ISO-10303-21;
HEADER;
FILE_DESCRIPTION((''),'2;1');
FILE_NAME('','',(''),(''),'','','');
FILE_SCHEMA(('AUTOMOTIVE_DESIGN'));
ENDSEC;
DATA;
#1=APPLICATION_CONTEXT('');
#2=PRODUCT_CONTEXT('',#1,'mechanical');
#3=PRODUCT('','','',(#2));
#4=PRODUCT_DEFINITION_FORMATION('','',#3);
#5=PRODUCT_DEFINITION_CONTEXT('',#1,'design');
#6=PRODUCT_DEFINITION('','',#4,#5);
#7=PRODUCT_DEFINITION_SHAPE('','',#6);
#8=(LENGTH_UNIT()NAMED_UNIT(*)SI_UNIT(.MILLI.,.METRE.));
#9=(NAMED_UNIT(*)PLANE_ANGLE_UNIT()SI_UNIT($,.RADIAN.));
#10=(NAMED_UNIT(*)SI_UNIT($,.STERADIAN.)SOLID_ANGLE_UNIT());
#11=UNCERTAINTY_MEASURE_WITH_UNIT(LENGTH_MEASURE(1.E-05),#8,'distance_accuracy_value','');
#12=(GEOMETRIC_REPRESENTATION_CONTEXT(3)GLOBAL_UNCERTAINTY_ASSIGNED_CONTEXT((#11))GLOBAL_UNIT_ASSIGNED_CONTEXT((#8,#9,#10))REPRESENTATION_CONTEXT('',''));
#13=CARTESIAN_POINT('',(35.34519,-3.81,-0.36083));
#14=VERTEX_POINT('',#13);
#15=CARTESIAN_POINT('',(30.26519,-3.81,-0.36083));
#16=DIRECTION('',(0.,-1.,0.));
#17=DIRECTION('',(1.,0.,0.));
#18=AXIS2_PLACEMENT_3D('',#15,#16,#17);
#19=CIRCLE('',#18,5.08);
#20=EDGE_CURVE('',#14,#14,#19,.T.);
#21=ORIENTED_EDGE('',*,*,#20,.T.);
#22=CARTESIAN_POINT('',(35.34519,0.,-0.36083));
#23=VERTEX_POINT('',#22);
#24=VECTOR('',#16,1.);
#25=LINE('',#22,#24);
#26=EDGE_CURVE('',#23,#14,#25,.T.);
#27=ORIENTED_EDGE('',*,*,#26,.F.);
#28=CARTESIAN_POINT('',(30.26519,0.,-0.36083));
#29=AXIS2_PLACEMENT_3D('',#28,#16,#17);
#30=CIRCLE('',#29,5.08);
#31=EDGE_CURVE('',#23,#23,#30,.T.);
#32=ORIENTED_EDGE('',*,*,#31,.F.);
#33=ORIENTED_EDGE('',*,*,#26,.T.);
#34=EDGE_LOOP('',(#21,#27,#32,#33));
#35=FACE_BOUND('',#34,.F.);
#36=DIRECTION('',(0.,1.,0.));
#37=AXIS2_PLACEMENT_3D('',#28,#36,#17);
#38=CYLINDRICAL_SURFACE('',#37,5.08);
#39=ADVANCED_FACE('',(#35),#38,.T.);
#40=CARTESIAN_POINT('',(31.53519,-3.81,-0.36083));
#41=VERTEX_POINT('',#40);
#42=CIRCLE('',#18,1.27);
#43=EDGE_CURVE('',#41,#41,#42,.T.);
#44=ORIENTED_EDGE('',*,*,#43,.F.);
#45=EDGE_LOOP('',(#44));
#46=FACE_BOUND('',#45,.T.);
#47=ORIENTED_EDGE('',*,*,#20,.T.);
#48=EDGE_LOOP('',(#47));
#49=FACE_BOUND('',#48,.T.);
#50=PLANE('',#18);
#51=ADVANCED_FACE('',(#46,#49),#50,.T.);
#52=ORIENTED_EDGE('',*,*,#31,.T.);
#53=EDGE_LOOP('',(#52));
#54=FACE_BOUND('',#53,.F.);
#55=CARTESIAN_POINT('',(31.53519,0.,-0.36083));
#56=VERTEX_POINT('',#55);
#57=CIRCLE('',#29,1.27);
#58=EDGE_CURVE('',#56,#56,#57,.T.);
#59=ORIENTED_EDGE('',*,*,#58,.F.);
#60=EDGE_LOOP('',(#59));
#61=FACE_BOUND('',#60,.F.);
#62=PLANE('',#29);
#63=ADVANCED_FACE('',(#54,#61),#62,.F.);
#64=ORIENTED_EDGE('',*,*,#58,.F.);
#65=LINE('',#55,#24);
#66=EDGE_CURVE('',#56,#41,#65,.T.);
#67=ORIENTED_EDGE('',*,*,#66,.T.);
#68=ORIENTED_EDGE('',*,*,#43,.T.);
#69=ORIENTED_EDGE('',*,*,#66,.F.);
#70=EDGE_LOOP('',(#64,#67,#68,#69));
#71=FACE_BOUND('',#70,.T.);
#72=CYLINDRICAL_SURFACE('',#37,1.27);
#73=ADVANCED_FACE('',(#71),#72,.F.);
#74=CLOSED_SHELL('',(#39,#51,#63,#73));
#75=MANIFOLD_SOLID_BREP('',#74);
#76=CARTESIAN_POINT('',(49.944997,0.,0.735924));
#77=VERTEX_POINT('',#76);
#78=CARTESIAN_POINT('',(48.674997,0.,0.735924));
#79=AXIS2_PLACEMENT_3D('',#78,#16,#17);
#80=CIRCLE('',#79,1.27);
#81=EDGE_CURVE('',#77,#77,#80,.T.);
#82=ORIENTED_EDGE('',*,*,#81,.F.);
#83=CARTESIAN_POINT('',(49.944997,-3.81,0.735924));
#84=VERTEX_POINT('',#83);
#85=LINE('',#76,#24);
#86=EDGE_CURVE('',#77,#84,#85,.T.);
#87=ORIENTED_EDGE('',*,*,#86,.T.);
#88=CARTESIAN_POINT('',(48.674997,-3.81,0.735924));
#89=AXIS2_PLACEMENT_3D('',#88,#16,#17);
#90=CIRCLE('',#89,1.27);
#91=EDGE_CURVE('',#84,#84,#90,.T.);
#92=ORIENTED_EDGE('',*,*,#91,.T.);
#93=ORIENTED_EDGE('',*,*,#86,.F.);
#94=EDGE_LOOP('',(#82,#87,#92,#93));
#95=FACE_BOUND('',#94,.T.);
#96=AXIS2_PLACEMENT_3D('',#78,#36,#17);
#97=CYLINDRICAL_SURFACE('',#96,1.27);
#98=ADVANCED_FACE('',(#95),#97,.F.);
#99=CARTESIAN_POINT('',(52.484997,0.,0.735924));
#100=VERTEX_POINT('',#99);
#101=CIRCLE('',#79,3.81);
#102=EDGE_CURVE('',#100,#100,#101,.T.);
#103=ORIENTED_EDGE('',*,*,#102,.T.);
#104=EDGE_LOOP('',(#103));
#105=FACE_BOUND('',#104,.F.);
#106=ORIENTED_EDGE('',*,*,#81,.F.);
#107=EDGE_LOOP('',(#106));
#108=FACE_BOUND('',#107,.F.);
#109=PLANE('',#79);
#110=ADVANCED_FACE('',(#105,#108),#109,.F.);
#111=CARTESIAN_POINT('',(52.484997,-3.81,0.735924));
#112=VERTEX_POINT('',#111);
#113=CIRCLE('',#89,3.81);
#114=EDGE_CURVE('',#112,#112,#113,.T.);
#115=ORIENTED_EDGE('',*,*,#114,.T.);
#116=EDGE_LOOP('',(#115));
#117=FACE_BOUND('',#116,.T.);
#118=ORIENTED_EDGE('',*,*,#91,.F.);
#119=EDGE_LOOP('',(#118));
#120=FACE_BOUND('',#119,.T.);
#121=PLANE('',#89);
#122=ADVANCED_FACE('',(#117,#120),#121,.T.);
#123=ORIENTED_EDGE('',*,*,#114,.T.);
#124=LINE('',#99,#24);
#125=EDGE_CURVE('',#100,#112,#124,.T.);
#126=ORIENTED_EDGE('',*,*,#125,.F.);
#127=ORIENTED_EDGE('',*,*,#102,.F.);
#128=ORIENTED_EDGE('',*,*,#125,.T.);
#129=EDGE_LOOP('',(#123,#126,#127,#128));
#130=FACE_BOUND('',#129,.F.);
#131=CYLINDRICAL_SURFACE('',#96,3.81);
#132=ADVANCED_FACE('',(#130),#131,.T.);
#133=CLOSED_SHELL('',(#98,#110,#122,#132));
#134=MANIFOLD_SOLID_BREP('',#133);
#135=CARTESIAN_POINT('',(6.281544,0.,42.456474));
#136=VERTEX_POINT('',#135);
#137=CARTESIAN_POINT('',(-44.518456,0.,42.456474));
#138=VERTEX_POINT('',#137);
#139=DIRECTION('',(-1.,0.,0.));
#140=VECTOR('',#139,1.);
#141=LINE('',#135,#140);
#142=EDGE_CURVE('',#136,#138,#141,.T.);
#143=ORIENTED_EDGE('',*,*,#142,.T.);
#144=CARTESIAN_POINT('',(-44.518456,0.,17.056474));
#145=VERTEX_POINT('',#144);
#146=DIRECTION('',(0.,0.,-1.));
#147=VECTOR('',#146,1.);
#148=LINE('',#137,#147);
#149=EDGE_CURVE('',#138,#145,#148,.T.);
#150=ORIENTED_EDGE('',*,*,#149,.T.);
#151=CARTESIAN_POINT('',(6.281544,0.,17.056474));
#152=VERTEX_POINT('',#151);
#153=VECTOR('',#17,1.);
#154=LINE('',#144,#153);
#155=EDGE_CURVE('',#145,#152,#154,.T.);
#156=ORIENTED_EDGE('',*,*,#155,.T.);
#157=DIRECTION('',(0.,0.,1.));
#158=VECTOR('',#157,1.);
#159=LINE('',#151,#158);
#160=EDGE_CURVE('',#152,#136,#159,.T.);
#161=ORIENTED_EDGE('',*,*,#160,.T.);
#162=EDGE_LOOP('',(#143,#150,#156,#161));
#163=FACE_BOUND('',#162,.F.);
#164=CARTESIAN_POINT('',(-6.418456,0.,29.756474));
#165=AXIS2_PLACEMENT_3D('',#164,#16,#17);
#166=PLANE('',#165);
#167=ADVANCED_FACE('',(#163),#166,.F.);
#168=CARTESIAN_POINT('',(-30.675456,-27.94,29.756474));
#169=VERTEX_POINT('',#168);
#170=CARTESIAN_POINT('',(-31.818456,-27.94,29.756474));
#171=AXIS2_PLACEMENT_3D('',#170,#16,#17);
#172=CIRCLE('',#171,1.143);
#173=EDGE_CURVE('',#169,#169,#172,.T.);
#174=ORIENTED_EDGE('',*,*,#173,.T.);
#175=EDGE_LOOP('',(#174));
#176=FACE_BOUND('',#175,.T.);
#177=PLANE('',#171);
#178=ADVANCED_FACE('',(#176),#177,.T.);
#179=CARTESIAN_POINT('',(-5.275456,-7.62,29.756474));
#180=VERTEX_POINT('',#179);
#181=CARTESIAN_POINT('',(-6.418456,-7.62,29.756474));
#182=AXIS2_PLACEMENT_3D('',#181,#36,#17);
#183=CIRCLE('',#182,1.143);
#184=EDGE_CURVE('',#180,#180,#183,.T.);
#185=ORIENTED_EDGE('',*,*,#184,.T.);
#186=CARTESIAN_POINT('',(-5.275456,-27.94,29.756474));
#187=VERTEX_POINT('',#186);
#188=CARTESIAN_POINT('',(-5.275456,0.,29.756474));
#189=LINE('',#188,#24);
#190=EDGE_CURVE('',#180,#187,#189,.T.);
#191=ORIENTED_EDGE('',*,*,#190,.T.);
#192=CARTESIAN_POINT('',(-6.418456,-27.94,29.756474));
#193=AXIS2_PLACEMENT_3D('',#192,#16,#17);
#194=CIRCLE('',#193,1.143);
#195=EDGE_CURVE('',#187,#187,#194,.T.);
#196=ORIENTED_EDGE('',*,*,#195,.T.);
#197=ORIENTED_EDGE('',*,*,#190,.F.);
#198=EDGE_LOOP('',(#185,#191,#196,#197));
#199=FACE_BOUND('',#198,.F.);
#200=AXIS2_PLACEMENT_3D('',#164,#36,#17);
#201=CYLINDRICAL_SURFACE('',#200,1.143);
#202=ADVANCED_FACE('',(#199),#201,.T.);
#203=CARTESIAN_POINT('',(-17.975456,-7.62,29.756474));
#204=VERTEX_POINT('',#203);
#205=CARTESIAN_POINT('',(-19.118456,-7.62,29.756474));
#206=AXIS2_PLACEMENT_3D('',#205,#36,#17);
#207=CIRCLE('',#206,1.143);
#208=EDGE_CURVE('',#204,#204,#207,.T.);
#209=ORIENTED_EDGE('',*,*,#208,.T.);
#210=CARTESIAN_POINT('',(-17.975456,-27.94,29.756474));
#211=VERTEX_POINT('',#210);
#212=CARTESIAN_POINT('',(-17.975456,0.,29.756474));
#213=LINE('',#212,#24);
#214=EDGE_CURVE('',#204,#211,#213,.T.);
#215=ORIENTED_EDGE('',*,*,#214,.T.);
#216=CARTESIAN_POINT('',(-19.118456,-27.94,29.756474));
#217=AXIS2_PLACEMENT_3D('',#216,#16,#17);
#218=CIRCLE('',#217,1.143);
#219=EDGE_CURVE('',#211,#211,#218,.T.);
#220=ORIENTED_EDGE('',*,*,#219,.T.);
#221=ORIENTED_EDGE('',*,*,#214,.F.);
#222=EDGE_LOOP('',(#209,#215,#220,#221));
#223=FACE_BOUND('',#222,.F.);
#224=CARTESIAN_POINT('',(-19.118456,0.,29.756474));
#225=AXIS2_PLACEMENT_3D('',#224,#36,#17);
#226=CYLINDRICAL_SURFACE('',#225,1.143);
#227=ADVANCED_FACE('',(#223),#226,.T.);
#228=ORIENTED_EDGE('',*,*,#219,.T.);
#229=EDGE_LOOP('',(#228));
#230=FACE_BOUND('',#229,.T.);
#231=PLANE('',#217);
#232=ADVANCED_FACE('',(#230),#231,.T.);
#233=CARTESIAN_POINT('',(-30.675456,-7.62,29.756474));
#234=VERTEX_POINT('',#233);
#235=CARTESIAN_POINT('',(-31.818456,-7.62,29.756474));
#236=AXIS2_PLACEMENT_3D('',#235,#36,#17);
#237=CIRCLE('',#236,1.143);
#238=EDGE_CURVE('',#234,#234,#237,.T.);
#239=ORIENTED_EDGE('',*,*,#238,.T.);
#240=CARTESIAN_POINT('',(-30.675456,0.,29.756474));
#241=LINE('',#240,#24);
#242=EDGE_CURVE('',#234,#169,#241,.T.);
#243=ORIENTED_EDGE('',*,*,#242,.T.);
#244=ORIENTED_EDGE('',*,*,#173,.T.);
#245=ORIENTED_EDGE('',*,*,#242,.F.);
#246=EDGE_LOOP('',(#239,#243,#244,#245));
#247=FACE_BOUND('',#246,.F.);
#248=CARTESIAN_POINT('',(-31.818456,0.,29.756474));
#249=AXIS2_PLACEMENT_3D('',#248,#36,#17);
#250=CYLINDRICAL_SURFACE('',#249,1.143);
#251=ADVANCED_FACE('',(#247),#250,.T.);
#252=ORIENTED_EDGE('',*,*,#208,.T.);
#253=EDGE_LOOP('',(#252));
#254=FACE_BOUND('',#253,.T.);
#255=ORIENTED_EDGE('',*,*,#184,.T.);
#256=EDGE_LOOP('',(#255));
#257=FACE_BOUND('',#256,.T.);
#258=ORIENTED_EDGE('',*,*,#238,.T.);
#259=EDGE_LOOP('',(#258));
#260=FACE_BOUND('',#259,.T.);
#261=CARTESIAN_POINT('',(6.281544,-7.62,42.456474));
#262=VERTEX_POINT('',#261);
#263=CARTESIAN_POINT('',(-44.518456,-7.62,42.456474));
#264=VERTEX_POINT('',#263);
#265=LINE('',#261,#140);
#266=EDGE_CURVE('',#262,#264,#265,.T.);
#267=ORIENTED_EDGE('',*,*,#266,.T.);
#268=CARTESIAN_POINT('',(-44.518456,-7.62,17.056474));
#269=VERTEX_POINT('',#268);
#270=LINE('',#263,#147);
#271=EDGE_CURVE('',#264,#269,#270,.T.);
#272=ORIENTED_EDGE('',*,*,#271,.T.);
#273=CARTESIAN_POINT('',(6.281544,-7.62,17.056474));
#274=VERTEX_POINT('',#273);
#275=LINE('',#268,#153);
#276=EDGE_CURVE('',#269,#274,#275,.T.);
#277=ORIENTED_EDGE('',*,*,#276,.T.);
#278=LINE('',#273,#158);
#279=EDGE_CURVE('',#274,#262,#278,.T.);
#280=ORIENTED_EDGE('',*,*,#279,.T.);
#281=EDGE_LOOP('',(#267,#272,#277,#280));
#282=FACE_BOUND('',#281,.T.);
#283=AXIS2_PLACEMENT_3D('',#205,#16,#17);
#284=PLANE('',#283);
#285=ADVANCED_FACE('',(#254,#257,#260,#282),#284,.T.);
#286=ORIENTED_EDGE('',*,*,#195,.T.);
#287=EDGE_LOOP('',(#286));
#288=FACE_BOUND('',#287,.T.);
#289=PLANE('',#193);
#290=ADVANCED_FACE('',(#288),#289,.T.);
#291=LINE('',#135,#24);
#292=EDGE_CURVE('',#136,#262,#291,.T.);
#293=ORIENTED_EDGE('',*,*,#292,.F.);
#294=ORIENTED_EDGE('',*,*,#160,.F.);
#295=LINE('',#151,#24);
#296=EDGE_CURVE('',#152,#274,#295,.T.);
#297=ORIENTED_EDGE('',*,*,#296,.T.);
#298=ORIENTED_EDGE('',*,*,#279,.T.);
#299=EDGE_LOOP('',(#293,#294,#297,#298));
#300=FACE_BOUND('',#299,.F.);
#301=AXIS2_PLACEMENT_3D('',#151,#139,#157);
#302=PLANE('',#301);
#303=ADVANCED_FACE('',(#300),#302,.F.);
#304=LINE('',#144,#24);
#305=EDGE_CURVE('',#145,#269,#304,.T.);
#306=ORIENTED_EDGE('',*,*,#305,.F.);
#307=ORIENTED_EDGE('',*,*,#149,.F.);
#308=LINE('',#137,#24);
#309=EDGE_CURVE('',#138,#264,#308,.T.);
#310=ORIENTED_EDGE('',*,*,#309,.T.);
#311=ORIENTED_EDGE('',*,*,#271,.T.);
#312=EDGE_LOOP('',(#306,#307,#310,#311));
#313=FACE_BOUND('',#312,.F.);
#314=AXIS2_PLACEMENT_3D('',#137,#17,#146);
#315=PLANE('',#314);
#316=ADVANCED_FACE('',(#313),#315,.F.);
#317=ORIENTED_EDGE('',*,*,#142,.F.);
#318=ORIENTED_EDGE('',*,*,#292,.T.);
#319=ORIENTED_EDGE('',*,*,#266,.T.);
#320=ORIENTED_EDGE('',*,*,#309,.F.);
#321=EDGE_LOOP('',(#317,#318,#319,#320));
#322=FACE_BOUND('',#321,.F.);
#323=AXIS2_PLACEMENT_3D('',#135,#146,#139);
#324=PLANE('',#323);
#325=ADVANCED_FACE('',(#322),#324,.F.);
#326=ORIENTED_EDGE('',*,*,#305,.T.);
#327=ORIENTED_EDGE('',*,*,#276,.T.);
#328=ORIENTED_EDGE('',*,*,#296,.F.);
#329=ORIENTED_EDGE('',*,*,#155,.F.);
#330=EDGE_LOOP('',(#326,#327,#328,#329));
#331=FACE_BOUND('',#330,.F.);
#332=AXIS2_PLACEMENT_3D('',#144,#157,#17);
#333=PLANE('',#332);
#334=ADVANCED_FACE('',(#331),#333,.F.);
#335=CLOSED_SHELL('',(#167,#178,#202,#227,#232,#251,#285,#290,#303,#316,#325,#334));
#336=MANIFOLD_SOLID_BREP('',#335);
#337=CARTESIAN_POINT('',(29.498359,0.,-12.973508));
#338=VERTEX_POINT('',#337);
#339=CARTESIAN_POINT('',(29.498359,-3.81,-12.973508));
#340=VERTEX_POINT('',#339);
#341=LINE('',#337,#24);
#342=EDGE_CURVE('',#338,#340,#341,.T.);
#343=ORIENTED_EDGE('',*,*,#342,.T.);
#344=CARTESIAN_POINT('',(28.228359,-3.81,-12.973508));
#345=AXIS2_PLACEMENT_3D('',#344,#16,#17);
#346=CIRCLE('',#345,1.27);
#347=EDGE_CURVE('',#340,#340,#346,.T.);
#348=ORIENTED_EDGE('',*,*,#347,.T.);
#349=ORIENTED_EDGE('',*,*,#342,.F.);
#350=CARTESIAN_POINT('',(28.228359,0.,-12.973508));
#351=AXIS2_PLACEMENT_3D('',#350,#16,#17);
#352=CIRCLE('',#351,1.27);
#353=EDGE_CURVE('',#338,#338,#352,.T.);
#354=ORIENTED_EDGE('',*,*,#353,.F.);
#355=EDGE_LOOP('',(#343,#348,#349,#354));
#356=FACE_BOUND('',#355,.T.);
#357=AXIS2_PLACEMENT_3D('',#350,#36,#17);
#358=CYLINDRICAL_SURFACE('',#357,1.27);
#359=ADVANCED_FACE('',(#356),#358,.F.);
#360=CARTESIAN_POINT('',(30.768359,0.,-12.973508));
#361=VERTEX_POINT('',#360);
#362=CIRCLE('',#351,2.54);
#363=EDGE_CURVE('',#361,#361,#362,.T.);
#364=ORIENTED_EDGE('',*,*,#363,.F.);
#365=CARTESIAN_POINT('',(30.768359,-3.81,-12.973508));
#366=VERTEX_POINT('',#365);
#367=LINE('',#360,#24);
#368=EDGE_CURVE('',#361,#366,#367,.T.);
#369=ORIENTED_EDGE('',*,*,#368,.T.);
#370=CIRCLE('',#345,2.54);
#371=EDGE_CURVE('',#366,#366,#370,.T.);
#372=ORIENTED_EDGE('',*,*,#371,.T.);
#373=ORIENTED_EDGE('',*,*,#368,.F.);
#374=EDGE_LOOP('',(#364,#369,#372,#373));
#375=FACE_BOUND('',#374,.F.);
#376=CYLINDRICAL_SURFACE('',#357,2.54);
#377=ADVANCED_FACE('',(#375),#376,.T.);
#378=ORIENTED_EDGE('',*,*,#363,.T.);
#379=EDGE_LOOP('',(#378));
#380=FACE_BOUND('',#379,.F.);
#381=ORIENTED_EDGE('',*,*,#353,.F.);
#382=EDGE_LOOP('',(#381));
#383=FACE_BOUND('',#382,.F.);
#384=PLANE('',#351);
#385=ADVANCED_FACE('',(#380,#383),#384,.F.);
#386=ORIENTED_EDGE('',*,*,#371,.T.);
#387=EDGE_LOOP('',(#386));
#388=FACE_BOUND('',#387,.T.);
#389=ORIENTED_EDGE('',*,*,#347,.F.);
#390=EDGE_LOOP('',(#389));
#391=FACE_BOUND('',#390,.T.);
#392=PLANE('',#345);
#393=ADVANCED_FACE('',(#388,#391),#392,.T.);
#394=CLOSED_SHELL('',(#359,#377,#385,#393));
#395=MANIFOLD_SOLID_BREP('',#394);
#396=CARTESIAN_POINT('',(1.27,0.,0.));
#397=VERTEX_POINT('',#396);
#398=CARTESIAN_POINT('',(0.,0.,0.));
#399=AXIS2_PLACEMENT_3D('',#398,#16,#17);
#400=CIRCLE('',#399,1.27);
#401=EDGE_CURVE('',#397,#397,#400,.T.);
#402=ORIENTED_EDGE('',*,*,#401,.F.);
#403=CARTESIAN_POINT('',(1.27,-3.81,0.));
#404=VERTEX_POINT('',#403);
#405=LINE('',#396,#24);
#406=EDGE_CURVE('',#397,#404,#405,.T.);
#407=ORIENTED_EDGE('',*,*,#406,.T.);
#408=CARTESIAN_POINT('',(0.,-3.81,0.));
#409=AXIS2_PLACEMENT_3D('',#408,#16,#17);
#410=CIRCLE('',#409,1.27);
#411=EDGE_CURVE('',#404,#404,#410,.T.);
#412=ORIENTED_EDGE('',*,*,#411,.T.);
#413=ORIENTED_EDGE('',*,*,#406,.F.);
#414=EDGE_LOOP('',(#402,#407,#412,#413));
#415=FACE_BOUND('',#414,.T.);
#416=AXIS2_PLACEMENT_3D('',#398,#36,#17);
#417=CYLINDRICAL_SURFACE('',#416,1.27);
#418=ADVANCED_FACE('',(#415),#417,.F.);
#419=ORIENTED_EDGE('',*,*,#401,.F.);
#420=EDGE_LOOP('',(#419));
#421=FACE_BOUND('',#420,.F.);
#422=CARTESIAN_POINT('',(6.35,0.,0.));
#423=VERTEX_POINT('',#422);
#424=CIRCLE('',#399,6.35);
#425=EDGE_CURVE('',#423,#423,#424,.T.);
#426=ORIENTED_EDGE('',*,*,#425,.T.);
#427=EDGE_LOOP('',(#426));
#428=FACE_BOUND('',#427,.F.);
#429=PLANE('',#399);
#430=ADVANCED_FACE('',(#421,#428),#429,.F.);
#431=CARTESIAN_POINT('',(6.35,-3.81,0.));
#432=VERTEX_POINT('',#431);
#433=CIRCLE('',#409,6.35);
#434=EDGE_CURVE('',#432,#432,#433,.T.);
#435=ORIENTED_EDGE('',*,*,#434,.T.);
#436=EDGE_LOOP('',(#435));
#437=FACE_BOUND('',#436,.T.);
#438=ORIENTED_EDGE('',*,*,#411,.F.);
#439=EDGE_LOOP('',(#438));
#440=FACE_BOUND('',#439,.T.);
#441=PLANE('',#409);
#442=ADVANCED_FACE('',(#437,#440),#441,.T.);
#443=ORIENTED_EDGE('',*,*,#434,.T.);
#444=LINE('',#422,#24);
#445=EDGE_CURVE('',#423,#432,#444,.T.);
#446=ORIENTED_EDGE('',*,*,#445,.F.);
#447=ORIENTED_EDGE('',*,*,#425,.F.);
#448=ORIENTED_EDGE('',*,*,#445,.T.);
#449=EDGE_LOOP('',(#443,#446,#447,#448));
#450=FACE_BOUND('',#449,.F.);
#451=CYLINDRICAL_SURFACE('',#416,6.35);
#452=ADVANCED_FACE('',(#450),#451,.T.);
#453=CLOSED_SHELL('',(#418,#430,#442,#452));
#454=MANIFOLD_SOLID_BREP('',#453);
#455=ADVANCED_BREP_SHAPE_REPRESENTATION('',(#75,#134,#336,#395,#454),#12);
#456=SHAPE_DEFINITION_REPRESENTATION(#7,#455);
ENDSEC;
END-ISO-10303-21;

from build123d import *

# Parameters (mm, degrees)
F0_R     = 1.143
F1_DEPTH = 7.62
F0_R_2   = 3.81
F0_R_3   = 1.27
F0_R_4   = 5.08
F0_R_5   = 6.35
F0_R_6   = 2.54
F2_DEPTH = 3.81
F3_DEPTH = 27.94


with BuildPart() as f1:
    # F0 (on Front) → F1 (new body)
    with BuildSketch(Plane.XZ):
        Polygon((-44.518456, 42.456474), (-44.518456, 17.056474), (-31.818456, 17.056474), (-6.418456, 17.056474), (6.281544, 17.056474), (6.281544, 42.456474), align=None)
        with Locations((-31.818456, 29.756474)):
            Circle(F0_R, mode=Mode.SUBTRACT)
        with Locations((-19.118456, 29.756474)):
            Circle(F0_R, mode=Mode.SUBTRACT)
        with Locations((-6.418456, 29.756474)):
            Circle(F0_R, mode=Mode.SUBTRACT)
        with Locations((-6.418456, 29.756474)):
            Circle(F0_R)
        with Locations((-19.118456, 29.756474)):
            Circle(F0_R)
        with Locations((-31.818456, 29.756474)):
            Circle(F0_R)
    extrude(amount=F1_DEPTH)

    # F0 (on Front) → F3 (join)
    with BuildSketch(Plane.XZ):
        with Locations((-6.418456, 29.756474)):
            Circle(F0_R)
        with Locations((-19.118456, 29.756474)):
            Circle(F0_R)
        with Locations((-31.818456, 29.756474)):
            Circle(F0_R)
    extrude(amount=F3_DEPTH)


with BuildPart() as f2:
    # F0 (on Front) → F2 (new body)
    with BuildSketch(Plane.XZ):
        with Locations((48.674997, 0.735924)):
            Circle(F0_R_2)
        with Locations((48.674997, 0.735924)):
            Circle(F0_R_3, mode=Mode.SUBTRACT)
        with Locations((30.26519, -0.36083)):
            Circle(F0_R_4)
        with Locations((30.26519, -0.36083)):
            Circle(F0_R_3, mode=Mode.SUBTRACT)
        Circle(F0_R_5)
        Circle(F0_R_3, mode=Mode.SUBTRACT)
        with Locations((28.228359, -12.973508)):
            Circle(F0_R_6)
        with Locations((28.228359, -12.973508)):
            Circle(F0_R_3, mode=Mode.SUBTRACT)
    extrude(amount=F2_DEPTH)


solid = Compound([f1.part, f2.part])
